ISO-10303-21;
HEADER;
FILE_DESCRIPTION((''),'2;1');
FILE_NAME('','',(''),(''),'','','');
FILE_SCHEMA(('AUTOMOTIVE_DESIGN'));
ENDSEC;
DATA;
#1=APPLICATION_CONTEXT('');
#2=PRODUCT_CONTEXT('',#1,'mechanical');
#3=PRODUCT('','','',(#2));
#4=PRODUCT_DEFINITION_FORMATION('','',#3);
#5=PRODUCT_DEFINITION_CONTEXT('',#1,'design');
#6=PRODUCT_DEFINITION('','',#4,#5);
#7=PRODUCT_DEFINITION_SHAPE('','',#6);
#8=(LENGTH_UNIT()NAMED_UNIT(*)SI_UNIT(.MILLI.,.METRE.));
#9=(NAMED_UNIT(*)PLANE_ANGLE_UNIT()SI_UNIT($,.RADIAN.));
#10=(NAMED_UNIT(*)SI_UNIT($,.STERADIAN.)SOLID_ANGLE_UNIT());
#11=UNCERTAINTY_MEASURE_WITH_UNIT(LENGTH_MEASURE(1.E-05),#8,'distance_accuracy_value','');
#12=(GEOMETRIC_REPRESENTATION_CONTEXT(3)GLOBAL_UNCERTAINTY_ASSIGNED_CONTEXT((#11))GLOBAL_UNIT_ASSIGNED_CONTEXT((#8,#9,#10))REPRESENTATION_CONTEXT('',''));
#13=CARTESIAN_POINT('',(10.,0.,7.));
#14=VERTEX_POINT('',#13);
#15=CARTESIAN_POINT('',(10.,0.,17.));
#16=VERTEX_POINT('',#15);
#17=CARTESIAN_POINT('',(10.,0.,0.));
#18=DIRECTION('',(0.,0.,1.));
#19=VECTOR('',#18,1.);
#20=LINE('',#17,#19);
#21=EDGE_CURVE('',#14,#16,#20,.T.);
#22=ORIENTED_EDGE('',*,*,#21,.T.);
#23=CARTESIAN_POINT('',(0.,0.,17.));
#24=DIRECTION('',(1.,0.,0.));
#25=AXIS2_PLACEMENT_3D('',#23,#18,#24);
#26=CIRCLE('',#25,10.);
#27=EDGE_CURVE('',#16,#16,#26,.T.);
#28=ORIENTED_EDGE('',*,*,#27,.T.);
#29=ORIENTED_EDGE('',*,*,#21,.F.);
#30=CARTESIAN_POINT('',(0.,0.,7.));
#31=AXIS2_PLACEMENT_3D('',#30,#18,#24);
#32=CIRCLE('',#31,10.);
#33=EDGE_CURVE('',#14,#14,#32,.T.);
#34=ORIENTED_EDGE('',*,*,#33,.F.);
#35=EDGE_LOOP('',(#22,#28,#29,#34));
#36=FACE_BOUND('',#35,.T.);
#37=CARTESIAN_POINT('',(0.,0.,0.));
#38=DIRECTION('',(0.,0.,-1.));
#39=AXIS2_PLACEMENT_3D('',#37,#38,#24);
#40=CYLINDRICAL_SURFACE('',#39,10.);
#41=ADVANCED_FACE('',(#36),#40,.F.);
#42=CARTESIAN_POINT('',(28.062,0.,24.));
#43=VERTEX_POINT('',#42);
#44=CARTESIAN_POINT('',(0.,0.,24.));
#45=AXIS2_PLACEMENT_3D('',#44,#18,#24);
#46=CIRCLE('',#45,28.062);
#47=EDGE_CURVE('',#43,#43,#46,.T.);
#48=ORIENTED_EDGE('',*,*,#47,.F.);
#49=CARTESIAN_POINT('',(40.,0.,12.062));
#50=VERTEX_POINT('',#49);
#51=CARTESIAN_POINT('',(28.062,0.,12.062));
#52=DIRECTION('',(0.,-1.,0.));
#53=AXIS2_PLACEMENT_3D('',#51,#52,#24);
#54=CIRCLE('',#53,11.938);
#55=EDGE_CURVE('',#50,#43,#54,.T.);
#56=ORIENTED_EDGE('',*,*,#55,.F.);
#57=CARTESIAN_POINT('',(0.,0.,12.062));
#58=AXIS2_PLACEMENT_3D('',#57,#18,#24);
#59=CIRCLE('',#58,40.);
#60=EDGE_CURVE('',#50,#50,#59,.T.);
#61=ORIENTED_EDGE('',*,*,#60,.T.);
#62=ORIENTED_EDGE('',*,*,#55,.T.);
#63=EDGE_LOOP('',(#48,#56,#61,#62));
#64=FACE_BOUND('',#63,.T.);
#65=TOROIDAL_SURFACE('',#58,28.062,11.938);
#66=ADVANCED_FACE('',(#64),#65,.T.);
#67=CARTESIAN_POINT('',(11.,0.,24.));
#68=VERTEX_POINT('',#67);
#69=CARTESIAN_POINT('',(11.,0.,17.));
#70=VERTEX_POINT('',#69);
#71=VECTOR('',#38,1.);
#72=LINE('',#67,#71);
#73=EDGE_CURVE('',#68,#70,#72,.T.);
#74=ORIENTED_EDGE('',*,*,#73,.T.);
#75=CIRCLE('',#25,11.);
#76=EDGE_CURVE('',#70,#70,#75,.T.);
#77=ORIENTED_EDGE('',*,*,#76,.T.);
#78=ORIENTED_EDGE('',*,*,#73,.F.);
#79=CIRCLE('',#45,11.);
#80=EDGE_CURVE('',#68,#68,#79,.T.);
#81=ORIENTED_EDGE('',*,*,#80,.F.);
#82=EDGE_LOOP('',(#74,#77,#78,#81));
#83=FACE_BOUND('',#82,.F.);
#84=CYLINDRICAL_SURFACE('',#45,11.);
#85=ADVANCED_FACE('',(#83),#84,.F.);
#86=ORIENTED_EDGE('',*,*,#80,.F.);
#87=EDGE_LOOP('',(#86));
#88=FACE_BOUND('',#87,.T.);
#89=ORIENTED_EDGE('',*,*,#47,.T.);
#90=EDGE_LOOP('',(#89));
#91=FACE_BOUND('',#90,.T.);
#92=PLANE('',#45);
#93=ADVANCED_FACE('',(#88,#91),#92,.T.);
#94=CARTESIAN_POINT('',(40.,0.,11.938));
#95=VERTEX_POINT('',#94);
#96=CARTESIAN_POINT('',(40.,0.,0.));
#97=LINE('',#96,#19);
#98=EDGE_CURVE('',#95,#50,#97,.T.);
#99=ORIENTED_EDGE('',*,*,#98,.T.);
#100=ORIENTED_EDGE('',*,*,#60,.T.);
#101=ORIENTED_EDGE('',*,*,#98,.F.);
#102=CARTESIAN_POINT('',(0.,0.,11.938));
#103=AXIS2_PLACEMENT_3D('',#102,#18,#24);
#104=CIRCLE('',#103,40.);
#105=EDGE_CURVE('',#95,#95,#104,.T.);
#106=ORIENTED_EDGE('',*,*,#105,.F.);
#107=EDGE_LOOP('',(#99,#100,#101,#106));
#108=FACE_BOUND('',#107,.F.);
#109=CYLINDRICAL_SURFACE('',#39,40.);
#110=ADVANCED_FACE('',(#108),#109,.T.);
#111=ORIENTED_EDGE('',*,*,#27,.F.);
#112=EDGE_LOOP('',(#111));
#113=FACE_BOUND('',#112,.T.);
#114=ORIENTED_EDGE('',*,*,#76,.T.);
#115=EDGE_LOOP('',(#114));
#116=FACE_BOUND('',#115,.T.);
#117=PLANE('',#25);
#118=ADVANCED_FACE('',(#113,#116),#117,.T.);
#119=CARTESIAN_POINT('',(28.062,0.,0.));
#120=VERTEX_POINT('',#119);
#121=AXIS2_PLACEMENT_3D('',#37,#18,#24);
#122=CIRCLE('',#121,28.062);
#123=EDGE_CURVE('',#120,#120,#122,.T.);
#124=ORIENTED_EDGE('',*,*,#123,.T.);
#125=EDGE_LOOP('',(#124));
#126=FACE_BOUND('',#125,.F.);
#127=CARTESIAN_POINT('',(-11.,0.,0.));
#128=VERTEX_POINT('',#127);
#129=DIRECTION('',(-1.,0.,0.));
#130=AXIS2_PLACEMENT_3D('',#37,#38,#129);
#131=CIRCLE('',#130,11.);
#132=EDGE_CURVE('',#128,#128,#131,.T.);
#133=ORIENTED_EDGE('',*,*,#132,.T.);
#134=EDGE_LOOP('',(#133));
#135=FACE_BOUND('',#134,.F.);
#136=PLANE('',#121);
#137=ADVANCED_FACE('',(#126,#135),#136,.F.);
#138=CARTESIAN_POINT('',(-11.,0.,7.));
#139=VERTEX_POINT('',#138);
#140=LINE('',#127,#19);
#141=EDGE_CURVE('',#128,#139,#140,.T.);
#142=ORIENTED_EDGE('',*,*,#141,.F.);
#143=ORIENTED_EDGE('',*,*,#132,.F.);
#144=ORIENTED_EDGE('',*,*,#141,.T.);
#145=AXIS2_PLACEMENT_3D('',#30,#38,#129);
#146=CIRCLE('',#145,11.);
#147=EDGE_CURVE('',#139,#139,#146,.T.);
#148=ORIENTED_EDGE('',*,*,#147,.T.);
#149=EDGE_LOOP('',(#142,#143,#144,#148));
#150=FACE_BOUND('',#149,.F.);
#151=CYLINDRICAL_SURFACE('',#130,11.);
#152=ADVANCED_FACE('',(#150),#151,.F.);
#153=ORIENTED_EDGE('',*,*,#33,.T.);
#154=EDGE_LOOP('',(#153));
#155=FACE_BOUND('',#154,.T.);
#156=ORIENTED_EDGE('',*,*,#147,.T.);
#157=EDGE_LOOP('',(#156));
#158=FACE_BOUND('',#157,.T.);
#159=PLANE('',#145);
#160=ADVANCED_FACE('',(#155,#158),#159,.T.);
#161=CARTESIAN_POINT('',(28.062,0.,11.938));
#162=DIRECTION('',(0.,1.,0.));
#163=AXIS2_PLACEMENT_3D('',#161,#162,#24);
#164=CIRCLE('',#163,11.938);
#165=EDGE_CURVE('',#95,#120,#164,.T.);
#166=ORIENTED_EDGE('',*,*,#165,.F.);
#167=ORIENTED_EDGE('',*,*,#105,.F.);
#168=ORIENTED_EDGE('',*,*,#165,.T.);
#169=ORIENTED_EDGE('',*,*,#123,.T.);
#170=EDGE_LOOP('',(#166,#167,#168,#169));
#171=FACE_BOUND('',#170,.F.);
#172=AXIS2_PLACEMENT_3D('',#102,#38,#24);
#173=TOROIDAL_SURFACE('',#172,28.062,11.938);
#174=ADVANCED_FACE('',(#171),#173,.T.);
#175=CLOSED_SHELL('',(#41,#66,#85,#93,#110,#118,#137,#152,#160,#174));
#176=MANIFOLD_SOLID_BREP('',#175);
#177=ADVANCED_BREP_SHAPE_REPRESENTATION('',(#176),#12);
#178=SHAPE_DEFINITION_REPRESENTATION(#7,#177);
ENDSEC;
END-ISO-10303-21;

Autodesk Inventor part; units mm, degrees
ref_plane "YZ Plane" through (0, 0, 0) normal (1, 0, 0) x (0, 1, 0)
ref_plane "XZ Plane" through (0, 0, 0) normal (0, 1, 0) x (-1, 0, 0)
ref_plane "XY Plane" through (0, 0, 0) normal (0, 0, 1) x (1, 0, 0)
sketch "Sketch1" plane through (0, 0, 0) normal (0, 0, 1) x (1, 0, 0)
  circle A0 centre (0, 0) radius 40
  circle A1 centre (0, 0) radius 10
  dimension "d0" = 80
  dimension "d1" = 20
extrude "Extrusion1" add sketch "Sketch1" along normal blind 24
fillet "Fillet1" radius 11.938 2 edges at (-40, 0, 24) (-40, 0, 0)
sketch "Sketch2" plane through (0, 0, 24) normal (0, 0, 1) x (1, 0, 0)
  circle A0 centre (0, 0) radius 11
  circle A1 centre (0, 0) radius 10
  dimension "d5" = 22
extrude "Extrusion2" cut sketch "Sketch2" against normal blind 7
sketch "Sketch3" plane through (0, 0, 0) normal (0, 0, -1) x (-1, 0, 0)
  circle A0 centre (0, 0) radius 11
  circle A1 centre (0, 0) radius 10
  dimension "d8" = 22
  dimension "d9" = 20
extrude "Extrusion3" cut sketch "Sketch3" against normal blind 7
properties part number "wheel_80mm"
